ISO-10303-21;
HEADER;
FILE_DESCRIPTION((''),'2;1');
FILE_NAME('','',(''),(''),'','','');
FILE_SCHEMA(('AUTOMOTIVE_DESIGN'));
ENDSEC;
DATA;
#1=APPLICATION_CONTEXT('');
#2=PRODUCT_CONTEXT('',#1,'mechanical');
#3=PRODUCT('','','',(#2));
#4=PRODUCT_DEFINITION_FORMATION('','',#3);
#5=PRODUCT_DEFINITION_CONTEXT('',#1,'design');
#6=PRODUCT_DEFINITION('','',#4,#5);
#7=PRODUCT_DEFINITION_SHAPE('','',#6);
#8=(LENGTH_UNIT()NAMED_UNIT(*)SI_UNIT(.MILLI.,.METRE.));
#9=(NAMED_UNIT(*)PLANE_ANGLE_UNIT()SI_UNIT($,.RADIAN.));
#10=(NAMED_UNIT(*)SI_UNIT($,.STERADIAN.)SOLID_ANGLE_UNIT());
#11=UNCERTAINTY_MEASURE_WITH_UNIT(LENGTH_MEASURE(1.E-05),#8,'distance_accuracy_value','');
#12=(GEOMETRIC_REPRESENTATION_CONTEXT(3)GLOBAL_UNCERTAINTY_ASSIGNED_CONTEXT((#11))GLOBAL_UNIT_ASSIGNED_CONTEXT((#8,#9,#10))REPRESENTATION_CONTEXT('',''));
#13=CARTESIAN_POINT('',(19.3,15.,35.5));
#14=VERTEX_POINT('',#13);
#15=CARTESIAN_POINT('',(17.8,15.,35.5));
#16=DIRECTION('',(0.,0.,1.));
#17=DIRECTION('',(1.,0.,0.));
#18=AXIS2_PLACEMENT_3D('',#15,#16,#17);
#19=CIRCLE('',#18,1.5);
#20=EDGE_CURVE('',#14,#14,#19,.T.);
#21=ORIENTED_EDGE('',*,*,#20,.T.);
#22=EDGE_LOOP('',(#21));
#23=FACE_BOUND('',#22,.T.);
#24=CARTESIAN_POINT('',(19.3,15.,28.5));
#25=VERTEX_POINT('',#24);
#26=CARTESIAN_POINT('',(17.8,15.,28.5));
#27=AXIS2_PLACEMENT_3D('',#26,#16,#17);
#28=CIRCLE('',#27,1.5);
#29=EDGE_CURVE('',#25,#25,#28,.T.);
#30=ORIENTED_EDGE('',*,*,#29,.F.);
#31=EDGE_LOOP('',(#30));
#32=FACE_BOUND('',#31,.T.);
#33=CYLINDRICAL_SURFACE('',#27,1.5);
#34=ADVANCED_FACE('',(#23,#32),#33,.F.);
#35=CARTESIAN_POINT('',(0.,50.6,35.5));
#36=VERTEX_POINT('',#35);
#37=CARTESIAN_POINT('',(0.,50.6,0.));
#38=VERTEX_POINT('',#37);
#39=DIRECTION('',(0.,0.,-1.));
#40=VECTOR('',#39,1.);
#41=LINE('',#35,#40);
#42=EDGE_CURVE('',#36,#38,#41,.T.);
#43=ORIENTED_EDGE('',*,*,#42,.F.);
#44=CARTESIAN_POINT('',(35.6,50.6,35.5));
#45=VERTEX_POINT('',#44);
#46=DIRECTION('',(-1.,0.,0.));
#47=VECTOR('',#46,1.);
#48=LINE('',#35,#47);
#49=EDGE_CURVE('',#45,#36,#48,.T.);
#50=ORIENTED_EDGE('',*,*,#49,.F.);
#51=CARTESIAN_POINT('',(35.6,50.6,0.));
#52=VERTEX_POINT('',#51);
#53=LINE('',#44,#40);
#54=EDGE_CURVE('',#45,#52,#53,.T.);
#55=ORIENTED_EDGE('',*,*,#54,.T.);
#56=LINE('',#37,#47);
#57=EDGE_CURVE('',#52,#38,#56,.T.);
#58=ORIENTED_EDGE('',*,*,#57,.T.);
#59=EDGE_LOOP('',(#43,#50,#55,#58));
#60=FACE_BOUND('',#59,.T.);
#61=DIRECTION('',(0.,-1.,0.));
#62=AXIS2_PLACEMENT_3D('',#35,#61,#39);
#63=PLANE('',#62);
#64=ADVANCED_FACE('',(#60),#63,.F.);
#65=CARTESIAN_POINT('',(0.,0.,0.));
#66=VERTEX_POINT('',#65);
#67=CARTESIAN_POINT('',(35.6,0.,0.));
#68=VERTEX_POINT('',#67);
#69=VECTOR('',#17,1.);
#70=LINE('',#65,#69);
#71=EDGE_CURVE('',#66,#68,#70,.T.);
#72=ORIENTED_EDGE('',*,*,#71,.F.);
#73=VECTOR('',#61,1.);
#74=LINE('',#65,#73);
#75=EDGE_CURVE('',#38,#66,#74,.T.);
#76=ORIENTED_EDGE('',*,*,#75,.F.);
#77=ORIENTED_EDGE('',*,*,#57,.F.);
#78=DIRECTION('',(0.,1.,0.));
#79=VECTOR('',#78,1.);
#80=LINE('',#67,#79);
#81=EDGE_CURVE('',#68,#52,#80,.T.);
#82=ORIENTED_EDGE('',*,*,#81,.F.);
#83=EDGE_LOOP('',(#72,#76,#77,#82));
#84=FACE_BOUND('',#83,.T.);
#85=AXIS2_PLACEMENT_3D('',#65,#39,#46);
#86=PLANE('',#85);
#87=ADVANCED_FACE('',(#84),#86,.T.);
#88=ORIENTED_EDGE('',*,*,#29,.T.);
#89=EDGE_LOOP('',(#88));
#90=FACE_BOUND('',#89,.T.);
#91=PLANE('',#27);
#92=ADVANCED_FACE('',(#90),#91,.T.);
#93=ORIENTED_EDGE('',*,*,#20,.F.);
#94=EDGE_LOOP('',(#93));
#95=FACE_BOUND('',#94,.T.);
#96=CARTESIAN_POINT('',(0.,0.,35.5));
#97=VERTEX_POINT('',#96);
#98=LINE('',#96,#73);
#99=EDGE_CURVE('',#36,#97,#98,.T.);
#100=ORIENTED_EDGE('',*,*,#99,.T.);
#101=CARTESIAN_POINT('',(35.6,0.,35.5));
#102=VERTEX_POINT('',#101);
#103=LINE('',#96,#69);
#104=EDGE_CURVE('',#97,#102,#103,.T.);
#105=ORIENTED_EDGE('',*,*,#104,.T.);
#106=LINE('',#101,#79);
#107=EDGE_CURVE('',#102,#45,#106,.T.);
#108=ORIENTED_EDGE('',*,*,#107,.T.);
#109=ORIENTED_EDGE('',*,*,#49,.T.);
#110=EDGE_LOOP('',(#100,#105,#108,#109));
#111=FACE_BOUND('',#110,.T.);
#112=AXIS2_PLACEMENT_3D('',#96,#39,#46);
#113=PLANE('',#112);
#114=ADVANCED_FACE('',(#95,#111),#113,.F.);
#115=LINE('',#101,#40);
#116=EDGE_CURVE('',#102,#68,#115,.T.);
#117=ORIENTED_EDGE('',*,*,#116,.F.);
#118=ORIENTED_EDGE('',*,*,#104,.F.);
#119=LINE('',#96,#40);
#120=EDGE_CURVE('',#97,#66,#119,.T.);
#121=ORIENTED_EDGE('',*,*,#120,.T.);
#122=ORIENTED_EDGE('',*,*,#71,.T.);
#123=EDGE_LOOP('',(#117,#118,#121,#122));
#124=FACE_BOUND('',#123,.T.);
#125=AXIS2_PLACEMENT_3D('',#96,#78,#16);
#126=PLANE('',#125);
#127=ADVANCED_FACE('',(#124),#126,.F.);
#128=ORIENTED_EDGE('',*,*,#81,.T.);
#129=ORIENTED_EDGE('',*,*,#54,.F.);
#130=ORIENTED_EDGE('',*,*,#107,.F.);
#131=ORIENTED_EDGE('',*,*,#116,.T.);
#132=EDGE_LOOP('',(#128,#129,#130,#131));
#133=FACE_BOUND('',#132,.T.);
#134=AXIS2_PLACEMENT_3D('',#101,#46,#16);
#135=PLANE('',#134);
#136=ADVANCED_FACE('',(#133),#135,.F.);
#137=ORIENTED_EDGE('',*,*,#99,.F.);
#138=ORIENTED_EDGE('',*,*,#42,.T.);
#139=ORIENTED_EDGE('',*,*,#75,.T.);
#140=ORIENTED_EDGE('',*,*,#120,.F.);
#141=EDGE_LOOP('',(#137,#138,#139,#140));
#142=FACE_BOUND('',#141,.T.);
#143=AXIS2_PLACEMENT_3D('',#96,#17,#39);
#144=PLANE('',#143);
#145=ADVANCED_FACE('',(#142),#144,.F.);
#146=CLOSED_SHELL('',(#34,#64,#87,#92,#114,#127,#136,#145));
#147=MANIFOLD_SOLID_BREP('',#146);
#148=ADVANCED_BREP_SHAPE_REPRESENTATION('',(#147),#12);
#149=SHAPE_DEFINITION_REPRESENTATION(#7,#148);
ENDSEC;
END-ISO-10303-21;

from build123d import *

# Parameters (mm, degrees)
SKETCH_1_W          = 35.6
SKETCH_1_H          = 50.6
EXTRUDE_1_DEPTH     = 35.5
SKETCH_2_R          = 1.5
CUT_EXTRUDE_1_DEPTH = 7


with BuildPart() as part:
    # 草图1 → 凸台-拉伸1 (new body)
    with BuildSketch(Plane.XY):
        with Locations((17.8, 25.3)):
            Rectangle(SKETCH_1_W, SKETCH_1_H)
    extrude(amount=EXTRUDE_1_DEPTH)

    # 草图2 → 切除-拉伸1 (cut)
    with BuildSketch(Plane.XY.offset(35.5)):
        with Locations((17.8, 15)):
            Circle(SKETCH_2_R)
    extrude(amount=-CUT_EXTRUDE_1_DEPTH, mode=Mode.SUBTRACT)


solid = part.part
